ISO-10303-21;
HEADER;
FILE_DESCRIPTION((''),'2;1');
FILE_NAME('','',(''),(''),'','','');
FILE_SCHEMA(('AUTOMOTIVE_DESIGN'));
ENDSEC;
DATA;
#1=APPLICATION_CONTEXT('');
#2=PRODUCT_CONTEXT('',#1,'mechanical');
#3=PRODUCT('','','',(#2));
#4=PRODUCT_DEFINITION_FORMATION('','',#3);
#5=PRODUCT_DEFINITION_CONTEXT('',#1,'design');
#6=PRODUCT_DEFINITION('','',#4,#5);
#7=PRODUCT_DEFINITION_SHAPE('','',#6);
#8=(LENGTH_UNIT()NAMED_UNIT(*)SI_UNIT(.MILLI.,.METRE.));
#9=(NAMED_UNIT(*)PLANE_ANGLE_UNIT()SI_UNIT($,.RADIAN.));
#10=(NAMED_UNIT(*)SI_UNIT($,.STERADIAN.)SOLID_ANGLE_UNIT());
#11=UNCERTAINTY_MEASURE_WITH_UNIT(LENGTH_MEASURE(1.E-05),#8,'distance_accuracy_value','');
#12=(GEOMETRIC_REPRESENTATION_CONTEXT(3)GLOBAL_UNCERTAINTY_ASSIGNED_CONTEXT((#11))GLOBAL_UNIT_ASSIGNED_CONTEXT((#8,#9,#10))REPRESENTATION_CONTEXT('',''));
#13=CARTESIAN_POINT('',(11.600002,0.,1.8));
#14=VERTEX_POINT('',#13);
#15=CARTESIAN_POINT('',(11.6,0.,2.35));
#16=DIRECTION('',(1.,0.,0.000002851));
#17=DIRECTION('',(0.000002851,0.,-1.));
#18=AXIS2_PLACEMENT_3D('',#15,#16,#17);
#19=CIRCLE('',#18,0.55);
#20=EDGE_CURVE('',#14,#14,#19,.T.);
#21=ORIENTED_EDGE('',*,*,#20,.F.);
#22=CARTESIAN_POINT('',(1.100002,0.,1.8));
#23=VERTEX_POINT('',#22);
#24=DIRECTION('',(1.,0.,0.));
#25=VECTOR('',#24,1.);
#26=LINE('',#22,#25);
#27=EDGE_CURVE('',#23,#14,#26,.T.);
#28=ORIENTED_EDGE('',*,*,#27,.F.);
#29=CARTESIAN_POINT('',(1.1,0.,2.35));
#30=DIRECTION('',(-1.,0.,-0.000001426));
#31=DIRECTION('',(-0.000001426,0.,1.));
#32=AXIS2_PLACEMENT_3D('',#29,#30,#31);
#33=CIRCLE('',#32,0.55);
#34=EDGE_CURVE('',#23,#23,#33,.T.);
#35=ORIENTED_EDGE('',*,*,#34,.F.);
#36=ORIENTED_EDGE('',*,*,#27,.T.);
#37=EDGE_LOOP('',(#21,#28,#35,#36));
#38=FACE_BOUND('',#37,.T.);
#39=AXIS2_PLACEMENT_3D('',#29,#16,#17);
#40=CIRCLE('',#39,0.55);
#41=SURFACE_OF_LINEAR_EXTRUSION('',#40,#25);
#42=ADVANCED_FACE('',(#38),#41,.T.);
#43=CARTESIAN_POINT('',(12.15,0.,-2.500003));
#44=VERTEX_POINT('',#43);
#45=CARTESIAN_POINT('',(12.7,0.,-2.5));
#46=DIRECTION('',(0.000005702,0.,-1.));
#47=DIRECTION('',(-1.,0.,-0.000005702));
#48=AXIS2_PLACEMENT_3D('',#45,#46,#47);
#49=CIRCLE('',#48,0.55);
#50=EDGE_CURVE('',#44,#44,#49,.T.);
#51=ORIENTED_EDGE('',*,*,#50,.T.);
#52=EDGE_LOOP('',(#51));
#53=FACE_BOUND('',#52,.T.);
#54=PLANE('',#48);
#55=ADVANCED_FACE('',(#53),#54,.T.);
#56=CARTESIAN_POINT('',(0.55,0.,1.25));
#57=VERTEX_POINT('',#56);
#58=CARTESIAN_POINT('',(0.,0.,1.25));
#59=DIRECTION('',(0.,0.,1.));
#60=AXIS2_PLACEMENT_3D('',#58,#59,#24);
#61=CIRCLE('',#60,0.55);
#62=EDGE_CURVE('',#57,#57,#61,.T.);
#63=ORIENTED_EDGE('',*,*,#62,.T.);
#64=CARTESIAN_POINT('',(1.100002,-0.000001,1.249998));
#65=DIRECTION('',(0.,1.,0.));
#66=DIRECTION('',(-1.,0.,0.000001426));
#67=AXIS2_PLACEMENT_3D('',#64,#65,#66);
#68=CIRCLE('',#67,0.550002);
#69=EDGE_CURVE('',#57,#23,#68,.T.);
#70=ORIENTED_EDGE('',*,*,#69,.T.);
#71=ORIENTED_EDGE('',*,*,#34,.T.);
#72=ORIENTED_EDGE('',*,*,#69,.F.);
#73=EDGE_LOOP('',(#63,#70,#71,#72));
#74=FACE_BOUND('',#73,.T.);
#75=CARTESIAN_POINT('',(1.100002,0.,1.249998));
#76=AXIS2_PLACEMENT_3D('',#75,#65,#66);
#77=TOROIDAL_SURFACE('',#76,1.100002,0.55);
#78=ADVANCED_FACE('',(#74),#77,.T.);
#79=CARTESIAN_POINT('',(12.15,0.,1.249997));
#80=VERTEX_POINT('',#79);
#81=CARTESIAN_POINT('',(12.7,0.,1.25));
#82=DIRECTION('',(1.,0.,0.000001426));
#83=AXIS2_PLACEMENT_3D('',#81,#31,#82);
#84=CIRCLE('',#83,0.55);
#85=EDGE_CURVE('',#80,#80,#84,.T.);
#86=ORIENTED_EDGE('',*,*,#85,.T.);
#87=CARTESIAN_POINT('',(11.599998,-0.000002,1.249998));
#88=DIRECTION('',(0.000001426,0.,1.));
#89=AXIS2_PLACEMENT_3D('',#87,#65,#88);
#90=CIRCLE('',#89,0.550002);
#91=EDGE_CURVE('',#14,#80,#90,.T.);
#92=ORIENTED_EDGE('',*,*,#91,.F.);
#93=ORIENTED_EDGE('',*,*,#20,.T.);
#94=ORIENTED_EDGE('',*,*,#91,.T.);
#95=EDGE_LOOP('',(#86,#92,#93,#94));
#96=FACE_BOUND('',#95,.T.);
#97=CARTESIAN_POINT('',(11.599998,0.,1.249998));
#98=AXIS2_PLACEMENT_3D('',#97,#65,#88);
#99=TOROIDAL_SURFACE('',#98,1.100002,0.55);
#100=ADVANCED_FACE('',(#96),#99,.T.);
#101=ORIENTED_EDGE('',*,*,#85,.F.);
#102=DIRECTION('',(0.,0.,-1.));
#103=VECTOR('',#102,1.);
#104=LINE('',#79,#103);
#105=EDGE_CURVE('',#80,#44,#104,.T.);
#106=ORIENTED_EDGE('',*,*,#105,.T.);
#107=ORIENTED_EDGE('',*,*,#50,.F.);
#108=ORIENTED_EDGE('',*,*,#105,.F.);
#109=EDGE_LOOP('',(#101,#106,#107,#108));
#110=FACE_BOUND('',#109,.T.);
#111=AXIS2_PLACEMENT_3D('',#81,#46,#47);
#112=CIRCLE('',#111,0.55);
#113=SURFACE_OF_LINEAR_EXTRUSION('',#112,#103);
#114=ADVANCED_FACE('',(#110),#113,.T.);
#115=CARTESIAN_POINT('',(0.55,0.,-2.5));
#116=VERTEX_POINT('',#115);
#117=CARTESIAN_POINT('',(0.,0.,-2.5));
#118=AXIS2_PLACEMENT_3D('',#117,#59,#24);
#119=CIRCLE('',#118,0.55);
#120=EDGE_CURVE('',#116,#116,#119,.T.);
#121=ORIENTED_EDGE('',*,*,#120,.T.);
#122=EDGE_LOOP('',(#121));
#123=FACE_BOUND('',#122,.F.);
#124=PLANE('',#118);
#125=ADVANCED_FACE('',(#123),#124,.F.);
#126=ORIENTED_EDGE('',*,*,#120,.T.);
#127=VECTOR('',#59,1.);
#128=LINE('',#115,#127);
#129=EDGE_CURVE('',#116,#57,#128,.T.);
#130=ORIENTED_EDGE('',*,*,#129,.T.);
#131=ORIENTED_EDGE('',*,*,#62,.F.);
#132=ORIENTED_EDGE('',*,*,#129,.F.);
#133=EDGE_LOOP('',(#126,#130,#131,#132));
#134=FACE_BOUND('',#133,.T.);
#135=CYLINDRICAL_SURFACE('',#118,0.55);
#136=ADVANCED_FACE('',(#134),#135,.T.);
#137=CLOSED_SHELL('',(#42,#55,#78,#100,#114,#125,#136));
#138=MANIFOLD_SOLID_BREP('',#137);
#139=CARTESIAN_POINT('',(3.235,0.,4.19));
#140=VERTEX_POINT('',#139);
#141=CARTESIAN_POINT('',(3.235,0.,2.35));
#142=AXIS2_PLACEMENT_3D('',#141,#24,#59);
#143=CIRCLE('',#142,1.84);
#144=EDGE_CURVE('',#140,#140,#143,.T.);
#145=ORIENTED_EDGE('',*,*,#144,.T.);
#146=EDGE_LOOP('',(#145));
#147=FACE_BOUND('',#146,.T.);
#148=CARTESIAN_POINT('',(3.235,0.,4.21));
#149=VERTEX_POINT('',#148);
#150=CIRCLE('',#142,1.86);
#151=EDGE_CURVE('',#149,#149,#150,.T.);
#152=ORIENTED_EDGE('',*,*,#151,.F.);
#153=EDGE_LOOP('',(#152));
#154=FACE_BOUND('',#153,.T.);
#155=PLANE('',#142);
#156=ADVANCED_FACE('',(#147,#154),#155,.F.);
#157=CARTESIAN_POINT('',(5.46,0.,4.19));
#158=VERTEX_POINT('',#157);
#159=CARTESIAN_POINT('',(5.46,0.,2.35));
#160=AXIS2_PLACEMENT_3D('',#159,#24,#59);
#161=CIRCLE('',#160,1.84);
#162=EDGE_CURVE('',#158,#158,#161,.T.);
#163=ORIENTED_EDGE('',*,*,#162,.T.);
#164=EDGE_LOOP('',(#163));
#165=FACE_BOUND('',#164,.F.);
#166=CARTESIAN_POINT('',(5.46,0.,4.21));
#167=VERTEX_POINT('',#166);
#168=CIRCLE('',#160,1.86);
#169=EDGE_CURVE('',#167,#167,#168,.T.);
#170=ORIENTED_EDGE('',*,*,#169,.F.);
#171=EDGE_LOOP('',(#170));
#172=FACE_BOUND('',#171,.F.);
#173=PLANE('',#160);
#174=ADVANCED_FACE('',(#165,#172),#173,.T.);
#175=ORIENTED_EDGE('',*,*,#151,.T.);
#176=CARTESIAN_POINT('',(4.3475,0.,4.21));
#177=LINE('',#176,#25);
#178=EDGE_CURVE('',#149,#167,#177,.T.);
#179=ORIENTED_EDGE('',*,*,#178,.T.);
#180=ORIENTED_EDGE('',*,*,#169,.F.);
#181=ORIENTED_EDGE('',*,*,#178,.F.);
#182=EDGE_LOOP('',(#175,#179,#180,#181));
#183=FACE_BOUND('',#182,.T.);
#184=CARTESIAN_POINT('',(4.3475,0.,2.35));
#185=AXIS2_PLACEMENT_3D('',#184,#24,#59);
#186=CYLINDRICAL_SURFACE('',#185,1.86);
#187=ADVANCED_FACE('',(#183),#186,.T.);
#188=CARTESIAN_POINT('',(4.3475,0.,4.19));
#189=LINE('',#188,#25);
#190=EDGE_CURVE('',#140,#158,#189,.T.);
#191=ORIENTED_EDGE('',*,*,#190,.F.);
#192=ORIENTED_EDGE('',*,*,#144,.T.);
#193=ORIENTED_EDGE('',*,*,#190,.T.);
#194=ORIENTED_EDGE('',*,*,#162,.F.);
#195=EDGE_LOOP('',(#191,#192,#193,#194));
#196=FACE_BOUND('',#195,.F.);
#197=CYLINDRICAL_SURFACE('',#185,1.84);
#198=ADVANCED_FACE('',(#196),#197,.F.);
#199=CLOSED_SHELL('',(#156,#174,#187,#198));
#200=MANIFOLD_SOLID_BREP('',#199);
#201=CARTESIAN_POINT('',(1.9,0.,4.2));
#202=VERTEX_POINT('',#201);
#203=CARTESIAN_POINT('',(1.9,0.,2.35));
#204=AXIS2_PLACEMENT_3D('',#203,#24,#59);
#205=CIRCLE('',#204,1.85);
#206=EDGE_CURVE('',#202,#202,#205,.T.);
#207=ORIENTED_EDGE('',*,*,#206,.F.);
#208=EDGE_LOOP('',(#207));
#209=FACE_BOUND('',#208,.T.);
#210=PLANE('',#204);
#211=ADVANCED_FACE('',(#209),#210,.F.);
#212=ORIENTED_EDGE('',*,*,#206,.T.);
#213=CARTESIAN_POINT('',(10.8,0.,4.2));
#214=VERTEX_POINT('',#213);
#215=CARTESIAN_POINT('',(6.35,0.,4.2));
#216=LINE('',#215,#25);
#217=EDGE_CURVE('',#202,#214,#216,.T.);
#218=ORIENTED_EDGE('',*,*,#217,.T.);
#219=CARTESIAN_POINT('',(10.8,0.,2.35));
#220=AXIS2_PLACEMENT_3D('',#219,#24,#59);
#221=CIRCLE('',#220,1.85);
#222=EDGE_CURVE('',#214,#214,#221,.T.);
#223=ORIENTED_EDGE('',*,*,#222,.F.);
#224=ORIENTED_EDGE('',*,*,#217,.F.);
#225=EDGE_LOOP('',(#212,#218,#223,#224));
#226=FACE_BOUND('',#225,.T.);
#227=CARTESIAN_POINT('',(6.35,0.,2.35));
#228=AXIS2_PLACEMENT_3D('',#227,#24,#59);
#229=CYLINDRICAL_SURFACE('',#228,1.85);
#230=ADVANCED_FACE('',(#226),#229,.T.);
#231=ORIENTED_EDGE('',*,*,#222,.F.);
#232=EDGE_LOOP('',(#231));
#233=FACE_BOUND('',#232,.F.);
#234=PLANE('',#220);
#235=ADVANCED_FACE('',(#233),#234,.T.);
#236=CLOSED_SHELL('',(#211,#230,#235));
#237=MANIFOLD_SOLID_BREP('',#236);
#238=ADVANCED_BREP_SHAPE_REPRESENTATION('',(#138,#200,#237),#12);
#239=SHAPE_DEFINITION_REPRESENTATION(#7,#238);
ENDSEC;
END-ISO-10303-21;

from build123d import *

# Parameters (mm, degrees)
SKETCH002_W = 8.9
SKETCH002_H = 1.85
SKETCH003_W = 2.225
SKETCH003_H = 0.02
SKETCH_R    = 0.55


with BuildPart() as revolution:
    # Sketch002 → Revolution (revolve)
    with BuildSketch(Plane.XZ):
        with Locations((6.35, 3.275)):
            Rectangle(SKETCH002_W, SKETCH002_H)
    revolve(axis=Axis((1.9, 0, 2.35), (1, 0, 0)))


with BuildPart() as revolution001:
    # Sketch003 → Revolution001 (revolve)
    with BuildSketch(Plane.XZ):
        with Locations((4.3475, 4.2)):
            Rectangle(SKETCH003_W, SKETCH003_H)
    revolve(axis=Axis((0, 0, 2.35), (1, 0, 0)))


with BuildPart() as sweep_body:
    # Sweep: sweep along a path in Sketch001
    with BuildLine(Plane.XZ) as sweep_path:
        Line((0, -2.5), (0, 1.25))
        ThreePointArc((0, 1.25), (0.322183, 2.027817), (1.1, 2.35))
        Line((1.1, 2.35), (11.6, 2.35))
        ThreePointArc((11.6, 2.35), (12.377817, 2.027817), (12.7, 1.25))
        Line((12.7, 1.25), (12.7, -2.5))
    # Sketch → Sweep (sweep)
    with BuildSketch(Plane.XY.offset(-2)):
        Circle(SKETCH_R)
    sweep(path=sweep_path.line)


solid = Compound([revolution.part, revolution001.part, sweep_body.part])
